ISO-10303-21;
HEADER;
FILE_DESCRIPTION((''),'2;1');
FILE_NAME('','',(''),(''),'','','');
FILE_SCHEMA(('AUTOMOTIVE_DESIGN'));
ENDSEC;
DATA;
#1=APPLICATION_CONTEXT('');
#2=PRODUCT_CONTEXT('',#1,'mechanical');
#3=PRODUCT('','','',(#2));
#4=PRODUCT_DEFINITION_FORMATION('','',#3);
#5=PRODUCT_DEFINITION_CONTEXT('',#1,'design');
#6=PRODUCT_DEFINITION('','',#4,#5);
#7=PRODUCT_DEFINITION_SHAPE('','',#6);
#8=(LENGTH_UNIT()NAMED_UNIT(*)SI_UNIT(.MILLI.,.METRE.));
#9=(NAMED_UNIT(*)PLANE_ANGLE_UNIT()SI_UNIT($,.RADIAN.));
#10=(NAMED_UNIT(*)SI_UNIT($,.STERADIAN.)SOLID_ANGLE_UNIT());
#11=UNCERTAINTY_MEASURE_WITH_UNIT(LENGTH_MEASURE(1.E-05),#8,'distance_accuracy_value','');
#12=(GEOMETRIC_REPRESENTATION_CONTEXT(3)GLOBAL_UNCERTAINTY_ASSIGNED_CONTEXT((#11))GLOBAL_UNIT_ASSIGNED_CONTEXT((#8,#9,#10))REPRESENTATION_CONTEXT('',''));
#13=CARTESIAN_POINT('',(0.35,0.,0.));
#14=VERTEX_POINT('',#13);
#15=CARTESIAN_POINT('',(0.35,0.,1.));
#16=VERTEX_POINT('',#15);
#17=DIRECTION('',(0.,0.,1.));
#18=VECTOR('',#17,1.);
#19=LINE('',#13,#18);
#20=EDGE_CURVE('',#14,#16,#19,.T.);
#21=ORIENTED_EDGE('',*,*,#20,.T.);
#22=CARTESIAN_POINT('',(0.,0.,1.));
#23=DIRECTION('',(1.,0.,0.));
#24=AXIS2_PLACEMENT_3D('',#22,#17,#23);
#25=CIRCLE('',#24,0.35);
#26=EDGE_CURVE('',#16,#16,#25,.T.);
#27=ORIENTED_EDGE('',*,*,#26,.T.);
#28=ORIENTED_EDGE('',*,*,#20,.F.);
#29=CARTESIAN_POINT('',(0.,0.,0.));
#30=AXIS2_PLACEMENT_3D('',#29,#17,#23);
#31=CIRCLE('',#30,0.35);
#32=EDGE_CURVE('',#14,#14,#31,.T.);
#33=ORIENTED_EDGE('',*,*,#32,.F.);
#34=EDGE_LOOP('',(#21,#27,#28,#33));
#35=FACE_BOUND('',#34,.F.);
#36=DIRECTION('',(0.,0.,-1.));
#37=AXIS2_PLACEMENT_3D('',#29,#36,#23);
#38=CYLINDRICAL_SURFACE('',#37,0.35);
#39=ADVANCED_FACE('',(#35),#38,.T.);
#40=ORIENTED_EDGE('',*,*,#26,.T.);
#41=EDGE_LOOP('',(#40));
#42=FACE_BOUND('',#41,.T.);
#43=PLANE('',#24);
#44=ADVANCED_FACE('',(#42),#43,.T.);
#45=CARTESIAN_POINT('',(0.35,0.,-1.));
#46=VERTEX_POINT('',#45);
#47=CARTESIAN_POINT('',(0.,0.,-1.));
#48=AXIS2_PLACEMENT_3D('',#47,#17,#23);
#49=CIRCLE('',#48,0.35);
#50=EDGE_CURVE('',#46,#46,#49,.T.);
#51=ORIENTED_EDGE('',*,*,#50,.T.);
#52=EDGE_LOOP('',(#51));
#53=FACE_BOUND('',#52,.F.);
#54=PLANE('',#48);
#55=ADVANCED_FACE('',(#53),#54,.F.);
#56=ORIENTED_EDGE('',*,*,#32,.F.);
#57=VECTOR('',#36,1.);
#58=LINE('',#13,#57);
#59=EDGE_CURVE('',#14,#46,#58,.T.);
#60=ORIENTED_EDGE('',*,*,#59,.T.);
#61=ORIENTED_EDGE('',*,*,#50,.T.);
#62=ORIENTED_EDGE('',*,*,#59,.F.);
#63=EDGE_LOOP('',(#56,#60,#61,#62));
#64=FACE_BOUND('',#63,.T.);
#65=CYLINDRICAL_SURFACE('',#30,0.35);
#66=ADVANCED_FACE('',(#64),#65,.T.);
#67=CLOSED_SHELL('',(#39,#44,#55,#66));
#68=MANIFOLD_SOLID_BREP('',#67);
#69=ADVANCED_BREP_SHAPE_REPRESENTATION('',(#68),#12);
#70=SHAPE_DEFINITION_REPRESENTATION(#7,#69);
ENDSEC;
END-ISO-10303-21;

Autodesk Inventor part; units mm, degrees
ref_plane "YZ Plane" through (0, 0, 0) normal (1, 0, 0) x (0, 1, 0)
ref_plane "XZ Plane" through (0, 0, 0) normal (0, 1, 0) x (-1, 0, 0)
ref_plane "XY Plane" through (0, 0, 0) normal (0, 0, 1) x (1, 0, 0)
sketch "Sketch1" plane through (0, 0, 0) normal (0, 0, 1) x (1, 0, 0)
  circle A0 centre (0, 0) radius 0.35
  dimension "d0" = 0.7
extrude "Extrusion1" add sketch "Sketch1" along normal mid plane 2
properties part number "Bi"
